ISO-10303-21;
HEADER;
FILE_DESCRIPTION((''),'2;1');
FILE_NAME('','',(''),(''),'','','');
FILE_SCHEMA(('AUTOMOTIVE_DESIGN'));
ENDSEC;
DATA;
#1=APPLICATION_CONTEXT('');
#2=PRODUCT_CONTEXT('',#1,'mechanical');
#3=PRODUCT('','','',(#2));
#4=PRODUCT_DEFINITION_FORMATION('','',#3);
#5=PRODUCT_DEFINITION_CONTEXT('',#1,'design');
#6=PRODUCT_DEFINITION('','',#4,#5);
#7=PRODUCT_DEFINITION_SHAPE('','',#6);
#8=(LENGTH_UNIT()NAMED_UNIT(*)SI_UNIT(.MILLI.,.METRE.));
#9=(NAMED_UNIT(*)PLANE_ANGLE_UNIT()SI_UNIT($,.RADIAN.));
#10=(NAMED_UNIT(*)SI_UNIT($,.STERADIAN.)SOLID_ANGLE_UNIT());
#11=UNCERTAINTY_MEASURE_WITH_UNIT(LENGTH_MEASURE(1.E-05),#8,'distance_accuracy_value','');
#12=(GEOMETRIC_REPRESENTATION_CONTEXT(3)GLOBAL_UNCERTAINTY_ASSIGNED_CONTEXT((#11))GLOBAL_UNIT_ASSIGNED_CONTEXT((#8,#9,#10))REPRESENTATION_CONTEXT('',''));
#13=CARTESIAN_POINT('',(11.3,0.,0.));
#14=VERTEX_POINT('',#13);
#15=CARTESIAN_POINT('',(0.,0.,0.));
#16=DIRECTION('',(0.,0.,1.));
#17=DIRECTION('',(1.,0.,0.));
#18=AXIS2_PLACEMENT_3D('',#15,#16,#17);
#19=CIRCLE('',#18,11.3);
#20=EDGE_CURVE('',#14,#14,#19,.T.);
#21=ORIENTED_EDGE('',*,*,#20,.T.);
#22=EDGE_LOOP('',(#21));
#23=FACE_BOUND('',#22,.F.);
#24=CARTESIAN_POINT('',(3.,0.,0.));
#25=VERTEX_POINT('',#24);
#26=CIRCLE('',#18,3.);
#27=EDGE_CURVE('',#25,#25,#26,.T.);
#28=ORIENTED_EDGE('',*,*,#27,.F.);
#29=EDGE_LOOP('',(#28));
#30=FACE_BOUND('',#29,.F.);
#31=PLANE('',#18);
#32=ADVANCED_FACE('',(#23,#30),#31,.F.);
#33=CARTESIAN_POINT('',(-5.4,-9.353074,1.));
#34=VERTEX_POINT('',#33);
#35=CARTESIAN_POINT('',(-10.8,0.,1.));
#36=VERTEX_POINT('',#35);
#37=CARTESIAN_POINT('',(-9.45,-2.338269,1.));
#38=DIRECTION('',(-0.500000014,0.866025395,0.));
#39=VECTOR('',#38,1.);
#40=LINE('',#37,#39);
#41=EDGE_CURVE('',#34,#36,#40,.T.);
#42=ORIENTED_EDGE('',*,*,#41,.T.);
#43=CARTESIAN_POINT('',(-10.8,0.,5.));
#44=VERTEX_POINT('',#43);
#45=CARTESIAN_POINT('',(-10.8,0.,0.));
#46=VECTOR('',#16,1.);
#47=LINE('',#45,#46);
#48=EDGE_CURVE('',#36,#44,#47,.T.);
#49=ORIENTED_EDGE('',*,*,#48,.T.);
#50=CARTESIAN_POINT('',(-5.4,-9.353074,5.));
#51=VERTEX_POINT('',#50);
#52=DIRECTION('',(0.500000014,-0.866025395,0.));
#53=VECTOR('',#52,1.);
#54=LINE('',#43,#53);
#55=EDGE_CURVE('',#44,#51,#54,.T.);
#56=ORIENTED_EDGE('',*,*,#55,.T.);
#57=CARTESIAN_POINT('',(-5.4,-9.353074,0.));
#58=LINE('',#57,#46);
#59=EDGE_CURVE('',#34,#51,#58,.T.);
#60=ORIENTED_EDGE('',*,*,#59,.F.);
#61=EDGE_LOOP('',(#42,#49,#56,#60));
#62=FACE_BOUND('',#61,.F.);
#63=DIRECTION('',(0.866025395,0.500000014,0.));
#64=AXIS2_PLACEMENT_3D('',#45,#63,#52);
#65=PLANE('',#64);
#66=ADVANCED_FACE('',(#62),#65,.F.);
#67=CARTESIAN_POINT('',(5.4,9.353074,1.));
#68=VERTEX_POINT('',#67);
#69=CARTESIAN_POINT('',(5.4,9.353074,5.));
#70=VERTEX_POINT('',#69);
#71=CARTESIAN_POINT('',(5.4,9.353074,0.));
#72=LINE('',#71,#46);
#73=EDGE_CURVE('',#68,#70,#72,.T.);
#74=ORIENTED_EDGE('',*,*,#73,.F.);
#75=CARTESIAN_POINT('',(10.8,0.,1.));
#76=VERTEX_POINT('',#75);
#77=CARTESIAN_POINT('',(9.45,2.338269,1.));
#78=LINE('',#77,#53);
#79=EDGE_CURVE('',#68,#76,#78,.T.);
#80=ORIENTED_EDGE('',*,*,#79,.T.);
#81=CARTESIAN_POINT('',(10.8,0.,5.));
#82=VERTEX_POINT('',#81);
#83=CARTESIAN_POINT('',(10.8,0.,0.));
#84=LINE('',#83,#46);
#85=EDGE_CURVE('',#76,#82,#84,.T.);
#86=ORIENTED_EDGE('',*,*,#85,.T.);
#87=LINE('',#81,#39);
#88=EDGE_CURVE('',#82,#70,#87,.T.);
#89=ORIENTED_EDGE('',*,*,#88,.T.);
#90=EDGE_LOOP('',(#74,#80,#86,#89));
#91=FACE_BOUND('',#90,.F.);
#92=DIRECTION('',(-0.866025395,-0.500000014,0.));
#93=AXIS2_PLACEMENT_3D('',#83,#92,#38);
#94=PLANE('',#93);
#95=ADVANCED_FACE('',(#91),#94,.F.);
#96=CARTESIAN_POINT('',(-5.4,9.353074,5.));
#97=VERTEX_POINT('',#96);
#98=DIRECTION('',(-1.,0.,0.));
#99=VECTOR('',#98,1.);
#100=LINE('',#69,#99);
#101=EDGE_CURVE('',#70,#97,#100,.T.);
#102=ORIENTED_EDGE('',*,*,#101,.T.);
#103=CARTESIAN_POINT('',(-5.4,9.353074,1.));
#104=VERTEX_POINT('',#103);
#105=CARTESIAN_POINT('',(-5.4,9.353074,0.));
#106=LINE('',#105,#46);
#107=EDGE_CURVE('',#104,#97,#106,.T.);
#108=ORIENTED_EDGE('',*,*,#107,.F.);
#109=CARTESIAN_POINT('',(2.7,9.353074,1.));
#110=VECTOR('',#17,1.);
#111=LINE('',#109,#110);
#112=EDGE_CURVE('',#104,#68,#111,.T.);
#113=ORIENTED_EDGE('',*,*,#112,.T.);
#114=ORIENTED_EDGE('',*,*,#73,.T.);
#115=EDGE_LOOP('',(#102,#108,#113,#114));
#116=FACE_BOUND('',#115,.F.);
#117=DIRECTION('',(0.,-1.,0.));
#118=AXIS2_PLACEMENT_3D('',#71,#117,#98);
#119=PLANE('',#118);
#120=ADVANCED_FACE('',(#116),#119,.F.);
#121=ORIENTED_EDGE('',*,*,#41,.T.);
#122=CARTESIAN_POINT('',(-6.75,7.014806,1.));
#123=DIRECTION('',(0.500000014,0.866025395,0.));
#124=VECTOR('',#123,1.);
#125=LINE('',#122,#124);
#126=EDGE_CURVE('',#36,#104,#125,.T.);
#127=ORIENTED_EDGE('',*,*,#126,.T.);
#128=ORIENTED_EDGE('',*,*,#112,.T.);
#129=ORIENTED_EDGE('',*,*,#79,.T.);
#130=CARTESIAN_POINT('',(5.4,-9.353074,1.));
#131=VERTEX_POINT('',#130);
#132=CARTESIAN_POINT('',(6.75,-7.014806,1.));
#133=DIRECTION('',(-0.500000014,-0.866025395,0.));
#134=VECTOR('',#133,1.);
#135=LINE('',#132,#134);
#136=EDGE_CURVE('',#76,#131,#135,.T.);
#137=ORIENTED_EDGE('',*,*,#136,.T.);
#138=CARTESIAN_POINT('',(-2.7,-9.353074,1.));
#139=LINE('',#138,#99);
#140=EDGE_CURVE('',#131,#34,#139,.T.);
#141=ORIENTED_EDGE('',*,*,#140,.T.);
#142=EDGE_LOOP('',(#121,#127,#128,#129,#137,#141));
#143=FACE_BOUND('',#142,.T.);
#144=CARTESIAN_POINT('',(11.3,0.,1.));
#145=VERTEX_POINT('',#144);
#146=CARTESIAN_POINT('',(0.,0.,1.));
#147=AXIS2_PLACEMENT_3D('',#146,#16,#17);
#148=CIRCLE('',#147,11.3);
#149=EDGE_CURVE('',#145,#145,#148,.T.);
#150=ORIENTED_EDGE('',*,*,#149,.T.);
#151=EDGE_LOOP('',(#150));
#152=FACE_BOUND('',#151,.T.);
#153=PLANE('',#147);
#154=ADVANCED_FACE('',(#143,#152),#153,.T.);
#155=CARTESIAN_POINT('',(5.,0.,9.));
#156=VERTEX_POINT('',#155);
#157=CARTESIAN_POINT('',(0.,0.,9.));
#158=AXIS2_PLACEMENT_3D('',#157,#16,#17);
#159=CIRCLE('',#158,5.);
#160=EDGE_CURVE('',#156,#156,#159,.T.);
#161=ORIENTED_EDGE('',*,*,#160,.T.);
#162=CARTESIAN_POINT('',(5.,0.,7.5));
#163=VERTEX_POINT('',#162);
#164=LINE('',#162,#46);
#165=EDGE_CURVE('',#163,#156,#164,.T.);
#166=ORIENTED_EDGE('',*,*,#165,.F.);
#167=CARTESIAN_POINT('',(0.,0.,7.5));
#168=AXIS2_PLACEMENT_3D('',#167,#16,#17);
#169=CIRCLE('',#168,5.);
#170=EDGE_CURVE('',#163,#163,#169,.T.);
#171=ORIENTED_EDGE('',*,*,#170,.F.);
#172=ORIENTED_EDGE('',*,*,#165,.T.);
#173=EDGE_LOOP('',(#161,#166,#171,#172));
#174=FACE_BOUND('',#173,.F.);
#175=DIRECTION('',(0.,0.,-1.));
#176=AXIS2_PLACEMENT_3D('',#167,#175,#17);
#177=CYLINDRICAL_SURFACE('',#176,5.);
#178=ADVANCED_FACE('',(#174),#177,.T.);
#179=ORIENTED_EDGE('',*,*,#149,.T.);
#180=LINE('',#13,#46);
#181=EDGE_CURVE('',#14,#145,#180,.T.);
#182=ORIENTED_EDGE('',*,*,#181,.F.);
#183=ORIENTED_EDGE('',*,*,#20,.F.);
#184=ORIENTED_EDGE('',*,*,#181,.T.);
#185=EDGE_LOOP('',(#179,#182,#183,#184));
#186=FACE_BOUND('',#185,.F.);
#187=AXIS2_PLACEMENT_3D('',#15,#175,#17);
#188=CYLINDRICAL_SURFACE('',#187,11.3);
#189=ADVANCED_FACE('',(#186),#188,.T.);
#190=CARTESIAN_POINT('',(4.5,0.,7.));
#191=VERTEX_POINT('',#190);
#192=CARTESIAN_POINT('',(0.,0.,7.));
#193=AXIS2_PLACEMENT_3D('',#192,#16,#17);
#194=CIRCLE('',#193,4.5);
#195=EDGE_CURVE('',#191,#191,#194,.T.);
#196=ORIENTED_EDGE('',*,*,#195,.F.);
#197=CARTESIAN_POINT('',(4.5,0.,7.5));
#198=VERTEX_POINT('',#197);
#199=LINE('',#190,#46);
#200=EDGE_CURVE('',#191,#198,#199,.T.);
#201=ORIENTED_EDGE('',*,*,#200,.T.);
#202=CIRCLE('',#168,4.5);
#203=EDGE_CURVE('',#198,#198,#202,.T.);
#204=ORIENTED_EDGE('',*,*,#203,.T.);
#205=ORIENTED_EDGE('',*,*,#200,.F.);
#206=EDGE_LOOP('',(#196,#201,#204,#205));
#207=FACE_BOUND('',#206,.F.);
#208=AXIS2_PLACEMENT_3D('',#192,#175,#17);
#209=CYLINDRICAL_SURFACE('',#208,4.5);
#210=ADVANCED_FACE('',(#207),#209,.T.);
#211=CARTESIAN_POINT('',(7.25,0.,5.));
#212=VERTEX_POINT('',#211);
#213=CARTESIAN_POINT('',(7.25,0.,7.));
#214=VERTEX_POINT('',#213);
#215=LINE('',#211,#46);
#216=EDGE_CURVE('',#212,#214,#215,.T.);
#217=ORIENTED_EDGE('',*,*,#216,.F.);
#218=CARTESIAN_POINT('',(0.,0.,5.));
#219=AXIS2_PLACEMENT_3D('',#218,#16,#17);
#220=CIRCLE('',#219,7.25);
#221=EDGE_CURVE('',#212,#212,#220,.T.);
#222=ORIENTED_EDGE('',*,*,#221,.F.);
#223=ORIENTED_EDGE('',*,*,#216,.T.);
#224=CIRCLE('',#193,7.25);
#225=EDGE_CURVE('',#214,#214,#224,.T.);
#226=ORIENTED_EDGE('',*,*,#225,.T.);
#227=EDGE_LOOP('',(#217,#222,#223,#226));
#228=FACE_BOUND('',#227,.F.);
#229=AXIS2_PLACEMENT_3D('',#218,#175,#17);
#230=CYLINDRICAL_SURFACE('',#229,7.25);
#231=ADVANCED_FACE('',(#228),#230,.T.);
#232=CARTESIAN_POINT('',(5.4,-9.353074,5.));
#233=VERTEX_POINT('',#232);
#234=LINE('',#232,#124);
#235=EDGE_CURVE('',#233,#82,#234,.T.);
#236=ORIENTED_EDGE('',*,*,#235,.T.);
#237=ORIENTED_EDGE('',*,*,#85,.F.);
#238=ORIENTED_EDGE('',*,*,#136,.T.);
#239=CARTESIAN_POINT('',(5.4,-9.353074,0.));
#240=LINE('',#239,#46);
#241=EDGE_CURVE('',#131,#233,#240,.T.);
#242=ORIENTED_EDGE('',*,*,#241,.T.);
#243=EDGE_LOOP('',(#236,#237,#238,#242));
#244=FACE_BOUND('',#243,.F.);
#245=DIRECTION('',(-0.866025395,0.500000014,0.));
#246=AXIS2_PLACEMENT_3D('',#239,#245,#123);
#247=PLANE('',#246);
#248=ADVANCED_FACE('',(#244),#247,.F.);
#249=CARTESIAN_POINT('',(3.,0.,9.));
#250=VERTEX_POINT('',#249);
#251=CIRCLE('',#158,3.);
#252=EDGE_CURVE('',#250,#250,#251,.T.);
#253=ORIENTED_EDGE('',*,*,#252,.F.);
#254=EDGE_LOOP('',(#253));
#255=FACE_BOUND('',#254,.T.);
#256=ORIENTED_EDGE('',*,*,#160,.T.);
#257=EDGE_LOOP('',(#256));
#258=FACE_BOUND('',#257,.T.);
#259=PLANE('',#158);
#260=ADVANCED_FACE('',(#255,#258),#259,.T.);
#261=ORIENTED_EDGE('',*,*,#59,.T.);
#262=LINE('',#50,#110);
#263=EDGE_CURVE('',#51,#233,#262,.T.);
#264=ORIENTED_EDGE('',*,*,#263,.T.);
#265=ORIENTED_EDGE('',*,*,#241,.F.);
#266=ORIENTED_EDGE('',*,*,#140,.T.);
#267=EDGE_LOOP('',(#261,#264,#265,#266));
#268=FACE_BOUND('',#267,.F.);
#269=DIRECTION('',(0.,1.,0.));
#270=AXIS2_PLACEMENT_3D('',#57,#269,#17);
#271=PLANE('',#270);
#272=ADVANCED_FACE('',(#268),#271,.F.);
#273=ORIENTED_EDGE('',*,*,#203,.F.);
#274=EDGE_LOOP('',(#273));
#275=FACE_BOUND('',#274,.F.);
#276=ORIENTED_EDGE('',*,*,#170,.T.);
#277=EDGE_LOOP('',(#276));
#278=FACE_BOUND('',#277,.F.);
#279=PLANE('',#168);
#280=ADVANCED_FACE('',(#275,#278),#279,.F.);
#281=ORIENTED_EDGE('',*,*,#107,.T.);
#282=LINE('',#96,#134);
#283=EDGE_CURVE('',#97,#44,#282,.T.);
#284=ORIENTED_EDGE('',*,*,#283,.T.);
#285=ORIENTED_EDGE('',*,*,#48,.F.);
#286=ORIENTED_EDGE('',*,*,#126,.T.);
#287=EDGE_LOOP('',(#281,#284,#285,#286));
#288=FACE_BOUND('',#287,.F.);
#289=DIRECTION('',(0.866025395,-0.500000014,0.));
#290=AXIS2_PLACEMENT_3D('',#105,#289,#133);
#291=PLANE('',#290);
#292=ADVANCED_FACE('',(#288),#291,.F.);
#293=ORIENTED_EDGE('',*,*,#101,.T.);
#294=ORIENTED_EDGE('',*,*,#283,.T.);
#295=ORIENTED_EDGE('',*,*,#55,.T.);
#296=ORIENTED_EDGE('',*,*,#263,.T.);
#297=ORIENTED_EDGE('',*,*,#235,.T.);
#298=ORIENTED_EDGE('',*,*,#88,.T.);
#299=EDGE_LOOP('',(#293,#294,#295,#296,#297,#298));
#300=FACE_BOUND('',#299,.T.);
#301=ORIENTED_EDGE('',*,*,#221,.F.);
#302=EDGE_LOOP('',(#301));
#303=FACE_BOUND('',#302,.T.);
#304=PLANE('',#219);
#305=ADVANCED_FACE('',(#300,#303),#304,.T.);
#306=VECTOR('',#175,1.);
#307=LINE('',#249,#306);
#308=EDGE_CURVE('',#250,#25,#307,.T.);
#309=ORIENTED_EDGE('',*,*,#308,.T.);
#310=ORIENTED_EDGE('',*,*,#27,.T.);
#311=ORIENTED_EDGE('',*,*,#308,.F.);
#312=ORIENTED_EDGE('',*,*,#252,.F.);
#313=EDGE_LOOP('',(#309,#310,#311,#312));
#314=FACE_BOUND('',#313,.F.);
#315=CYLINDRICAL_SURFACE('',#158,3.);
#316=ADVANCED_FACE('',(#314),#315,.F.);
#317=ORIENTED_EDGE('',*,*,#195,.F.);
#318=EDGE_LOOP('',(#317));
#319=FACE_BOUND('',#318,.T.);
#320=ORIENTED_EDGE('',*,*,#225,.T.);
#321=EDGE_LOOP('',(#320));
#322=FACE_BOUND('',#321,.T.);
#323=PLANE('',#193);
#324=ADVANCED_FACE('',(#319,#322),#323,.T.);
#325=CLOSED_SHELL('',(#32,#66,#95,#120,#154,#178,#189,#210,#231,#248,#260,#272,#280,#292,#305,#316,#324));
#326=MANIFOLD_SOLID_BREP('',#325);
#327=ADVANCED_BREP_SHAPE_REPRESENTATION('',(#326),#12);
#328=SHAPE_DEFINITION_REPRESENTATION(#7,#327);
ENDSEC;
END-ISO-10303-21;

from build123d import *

# Parameters (mm, degrees)
F0_R      = 11.3
F1_DEPTH  = 1
F2_DEPTH  = 5
F3_R      = 7.25
F4_DEPTH  = 2
F5_R      = 4.5
F6_DEPTH  = 0.5
F7_R      = 5
F8_DEPTH  = 1.5
F9_R      = 3
F10_DEPTH = 13.7


with BuildPart() as f1:
    # F0 (on Top) → F1 (new body)
    with BuildSketch(Plane.XY):
        Circle(F0_R)
        Polygon((10.8, 0), (5.4, -9.353074), (-5.4, -9.353074), (-10.8, 0), (-5.4, 9.353074), (5.4, 9.353074), align=None, mode=Mode.SUBTRACT)
        Polygon((-5.4, -9.353074), (5.4, -9.353074), (10.8, 0), (5.4, 9.353074), (-5.4, 9.353074), (-10.8, 0), align=None)
    extrude(amount=F1_DEPTH)

    # F0 (on Top) → F2 (join)
    with BuildSketch(Plane.XY):
        Polygon((-5.4, -9.353074), (5.4, -9.353074), (10.8, 0), (5.4, 9.353074), (-5.4, 9.353074), (-10.8, 0), align=None)
    extrude(amount=F2_DEPTH)

    # F3 (on face) → F4 (join)
    with BuildSketch(Plane.XY.offset(5)):
        Circle(F3_R)
    extrude(amount=F4_DEPTH)

    # F5 (on face) → F6 (join)
    with BuildSketch(Plane.XY.offset(7)):
        Circle(F5_R)
    extrude(amount=F6_DEPTH)

    # F7 (on face) → F8 (join)
    with BuildSketch(Plane.XY.offset(7.5)):
        Circle(F7_R)
    extrude(amount=F8_DEPTH)

    # F9 (on face) → F10 (cut)
    with BuildSketch(Plane.XY.offset(9)):
        Circle(F9_R)
    extrude(amount=-F10_DEPTH, mode=Mode.SUBTRACT)


solid = f1.part
